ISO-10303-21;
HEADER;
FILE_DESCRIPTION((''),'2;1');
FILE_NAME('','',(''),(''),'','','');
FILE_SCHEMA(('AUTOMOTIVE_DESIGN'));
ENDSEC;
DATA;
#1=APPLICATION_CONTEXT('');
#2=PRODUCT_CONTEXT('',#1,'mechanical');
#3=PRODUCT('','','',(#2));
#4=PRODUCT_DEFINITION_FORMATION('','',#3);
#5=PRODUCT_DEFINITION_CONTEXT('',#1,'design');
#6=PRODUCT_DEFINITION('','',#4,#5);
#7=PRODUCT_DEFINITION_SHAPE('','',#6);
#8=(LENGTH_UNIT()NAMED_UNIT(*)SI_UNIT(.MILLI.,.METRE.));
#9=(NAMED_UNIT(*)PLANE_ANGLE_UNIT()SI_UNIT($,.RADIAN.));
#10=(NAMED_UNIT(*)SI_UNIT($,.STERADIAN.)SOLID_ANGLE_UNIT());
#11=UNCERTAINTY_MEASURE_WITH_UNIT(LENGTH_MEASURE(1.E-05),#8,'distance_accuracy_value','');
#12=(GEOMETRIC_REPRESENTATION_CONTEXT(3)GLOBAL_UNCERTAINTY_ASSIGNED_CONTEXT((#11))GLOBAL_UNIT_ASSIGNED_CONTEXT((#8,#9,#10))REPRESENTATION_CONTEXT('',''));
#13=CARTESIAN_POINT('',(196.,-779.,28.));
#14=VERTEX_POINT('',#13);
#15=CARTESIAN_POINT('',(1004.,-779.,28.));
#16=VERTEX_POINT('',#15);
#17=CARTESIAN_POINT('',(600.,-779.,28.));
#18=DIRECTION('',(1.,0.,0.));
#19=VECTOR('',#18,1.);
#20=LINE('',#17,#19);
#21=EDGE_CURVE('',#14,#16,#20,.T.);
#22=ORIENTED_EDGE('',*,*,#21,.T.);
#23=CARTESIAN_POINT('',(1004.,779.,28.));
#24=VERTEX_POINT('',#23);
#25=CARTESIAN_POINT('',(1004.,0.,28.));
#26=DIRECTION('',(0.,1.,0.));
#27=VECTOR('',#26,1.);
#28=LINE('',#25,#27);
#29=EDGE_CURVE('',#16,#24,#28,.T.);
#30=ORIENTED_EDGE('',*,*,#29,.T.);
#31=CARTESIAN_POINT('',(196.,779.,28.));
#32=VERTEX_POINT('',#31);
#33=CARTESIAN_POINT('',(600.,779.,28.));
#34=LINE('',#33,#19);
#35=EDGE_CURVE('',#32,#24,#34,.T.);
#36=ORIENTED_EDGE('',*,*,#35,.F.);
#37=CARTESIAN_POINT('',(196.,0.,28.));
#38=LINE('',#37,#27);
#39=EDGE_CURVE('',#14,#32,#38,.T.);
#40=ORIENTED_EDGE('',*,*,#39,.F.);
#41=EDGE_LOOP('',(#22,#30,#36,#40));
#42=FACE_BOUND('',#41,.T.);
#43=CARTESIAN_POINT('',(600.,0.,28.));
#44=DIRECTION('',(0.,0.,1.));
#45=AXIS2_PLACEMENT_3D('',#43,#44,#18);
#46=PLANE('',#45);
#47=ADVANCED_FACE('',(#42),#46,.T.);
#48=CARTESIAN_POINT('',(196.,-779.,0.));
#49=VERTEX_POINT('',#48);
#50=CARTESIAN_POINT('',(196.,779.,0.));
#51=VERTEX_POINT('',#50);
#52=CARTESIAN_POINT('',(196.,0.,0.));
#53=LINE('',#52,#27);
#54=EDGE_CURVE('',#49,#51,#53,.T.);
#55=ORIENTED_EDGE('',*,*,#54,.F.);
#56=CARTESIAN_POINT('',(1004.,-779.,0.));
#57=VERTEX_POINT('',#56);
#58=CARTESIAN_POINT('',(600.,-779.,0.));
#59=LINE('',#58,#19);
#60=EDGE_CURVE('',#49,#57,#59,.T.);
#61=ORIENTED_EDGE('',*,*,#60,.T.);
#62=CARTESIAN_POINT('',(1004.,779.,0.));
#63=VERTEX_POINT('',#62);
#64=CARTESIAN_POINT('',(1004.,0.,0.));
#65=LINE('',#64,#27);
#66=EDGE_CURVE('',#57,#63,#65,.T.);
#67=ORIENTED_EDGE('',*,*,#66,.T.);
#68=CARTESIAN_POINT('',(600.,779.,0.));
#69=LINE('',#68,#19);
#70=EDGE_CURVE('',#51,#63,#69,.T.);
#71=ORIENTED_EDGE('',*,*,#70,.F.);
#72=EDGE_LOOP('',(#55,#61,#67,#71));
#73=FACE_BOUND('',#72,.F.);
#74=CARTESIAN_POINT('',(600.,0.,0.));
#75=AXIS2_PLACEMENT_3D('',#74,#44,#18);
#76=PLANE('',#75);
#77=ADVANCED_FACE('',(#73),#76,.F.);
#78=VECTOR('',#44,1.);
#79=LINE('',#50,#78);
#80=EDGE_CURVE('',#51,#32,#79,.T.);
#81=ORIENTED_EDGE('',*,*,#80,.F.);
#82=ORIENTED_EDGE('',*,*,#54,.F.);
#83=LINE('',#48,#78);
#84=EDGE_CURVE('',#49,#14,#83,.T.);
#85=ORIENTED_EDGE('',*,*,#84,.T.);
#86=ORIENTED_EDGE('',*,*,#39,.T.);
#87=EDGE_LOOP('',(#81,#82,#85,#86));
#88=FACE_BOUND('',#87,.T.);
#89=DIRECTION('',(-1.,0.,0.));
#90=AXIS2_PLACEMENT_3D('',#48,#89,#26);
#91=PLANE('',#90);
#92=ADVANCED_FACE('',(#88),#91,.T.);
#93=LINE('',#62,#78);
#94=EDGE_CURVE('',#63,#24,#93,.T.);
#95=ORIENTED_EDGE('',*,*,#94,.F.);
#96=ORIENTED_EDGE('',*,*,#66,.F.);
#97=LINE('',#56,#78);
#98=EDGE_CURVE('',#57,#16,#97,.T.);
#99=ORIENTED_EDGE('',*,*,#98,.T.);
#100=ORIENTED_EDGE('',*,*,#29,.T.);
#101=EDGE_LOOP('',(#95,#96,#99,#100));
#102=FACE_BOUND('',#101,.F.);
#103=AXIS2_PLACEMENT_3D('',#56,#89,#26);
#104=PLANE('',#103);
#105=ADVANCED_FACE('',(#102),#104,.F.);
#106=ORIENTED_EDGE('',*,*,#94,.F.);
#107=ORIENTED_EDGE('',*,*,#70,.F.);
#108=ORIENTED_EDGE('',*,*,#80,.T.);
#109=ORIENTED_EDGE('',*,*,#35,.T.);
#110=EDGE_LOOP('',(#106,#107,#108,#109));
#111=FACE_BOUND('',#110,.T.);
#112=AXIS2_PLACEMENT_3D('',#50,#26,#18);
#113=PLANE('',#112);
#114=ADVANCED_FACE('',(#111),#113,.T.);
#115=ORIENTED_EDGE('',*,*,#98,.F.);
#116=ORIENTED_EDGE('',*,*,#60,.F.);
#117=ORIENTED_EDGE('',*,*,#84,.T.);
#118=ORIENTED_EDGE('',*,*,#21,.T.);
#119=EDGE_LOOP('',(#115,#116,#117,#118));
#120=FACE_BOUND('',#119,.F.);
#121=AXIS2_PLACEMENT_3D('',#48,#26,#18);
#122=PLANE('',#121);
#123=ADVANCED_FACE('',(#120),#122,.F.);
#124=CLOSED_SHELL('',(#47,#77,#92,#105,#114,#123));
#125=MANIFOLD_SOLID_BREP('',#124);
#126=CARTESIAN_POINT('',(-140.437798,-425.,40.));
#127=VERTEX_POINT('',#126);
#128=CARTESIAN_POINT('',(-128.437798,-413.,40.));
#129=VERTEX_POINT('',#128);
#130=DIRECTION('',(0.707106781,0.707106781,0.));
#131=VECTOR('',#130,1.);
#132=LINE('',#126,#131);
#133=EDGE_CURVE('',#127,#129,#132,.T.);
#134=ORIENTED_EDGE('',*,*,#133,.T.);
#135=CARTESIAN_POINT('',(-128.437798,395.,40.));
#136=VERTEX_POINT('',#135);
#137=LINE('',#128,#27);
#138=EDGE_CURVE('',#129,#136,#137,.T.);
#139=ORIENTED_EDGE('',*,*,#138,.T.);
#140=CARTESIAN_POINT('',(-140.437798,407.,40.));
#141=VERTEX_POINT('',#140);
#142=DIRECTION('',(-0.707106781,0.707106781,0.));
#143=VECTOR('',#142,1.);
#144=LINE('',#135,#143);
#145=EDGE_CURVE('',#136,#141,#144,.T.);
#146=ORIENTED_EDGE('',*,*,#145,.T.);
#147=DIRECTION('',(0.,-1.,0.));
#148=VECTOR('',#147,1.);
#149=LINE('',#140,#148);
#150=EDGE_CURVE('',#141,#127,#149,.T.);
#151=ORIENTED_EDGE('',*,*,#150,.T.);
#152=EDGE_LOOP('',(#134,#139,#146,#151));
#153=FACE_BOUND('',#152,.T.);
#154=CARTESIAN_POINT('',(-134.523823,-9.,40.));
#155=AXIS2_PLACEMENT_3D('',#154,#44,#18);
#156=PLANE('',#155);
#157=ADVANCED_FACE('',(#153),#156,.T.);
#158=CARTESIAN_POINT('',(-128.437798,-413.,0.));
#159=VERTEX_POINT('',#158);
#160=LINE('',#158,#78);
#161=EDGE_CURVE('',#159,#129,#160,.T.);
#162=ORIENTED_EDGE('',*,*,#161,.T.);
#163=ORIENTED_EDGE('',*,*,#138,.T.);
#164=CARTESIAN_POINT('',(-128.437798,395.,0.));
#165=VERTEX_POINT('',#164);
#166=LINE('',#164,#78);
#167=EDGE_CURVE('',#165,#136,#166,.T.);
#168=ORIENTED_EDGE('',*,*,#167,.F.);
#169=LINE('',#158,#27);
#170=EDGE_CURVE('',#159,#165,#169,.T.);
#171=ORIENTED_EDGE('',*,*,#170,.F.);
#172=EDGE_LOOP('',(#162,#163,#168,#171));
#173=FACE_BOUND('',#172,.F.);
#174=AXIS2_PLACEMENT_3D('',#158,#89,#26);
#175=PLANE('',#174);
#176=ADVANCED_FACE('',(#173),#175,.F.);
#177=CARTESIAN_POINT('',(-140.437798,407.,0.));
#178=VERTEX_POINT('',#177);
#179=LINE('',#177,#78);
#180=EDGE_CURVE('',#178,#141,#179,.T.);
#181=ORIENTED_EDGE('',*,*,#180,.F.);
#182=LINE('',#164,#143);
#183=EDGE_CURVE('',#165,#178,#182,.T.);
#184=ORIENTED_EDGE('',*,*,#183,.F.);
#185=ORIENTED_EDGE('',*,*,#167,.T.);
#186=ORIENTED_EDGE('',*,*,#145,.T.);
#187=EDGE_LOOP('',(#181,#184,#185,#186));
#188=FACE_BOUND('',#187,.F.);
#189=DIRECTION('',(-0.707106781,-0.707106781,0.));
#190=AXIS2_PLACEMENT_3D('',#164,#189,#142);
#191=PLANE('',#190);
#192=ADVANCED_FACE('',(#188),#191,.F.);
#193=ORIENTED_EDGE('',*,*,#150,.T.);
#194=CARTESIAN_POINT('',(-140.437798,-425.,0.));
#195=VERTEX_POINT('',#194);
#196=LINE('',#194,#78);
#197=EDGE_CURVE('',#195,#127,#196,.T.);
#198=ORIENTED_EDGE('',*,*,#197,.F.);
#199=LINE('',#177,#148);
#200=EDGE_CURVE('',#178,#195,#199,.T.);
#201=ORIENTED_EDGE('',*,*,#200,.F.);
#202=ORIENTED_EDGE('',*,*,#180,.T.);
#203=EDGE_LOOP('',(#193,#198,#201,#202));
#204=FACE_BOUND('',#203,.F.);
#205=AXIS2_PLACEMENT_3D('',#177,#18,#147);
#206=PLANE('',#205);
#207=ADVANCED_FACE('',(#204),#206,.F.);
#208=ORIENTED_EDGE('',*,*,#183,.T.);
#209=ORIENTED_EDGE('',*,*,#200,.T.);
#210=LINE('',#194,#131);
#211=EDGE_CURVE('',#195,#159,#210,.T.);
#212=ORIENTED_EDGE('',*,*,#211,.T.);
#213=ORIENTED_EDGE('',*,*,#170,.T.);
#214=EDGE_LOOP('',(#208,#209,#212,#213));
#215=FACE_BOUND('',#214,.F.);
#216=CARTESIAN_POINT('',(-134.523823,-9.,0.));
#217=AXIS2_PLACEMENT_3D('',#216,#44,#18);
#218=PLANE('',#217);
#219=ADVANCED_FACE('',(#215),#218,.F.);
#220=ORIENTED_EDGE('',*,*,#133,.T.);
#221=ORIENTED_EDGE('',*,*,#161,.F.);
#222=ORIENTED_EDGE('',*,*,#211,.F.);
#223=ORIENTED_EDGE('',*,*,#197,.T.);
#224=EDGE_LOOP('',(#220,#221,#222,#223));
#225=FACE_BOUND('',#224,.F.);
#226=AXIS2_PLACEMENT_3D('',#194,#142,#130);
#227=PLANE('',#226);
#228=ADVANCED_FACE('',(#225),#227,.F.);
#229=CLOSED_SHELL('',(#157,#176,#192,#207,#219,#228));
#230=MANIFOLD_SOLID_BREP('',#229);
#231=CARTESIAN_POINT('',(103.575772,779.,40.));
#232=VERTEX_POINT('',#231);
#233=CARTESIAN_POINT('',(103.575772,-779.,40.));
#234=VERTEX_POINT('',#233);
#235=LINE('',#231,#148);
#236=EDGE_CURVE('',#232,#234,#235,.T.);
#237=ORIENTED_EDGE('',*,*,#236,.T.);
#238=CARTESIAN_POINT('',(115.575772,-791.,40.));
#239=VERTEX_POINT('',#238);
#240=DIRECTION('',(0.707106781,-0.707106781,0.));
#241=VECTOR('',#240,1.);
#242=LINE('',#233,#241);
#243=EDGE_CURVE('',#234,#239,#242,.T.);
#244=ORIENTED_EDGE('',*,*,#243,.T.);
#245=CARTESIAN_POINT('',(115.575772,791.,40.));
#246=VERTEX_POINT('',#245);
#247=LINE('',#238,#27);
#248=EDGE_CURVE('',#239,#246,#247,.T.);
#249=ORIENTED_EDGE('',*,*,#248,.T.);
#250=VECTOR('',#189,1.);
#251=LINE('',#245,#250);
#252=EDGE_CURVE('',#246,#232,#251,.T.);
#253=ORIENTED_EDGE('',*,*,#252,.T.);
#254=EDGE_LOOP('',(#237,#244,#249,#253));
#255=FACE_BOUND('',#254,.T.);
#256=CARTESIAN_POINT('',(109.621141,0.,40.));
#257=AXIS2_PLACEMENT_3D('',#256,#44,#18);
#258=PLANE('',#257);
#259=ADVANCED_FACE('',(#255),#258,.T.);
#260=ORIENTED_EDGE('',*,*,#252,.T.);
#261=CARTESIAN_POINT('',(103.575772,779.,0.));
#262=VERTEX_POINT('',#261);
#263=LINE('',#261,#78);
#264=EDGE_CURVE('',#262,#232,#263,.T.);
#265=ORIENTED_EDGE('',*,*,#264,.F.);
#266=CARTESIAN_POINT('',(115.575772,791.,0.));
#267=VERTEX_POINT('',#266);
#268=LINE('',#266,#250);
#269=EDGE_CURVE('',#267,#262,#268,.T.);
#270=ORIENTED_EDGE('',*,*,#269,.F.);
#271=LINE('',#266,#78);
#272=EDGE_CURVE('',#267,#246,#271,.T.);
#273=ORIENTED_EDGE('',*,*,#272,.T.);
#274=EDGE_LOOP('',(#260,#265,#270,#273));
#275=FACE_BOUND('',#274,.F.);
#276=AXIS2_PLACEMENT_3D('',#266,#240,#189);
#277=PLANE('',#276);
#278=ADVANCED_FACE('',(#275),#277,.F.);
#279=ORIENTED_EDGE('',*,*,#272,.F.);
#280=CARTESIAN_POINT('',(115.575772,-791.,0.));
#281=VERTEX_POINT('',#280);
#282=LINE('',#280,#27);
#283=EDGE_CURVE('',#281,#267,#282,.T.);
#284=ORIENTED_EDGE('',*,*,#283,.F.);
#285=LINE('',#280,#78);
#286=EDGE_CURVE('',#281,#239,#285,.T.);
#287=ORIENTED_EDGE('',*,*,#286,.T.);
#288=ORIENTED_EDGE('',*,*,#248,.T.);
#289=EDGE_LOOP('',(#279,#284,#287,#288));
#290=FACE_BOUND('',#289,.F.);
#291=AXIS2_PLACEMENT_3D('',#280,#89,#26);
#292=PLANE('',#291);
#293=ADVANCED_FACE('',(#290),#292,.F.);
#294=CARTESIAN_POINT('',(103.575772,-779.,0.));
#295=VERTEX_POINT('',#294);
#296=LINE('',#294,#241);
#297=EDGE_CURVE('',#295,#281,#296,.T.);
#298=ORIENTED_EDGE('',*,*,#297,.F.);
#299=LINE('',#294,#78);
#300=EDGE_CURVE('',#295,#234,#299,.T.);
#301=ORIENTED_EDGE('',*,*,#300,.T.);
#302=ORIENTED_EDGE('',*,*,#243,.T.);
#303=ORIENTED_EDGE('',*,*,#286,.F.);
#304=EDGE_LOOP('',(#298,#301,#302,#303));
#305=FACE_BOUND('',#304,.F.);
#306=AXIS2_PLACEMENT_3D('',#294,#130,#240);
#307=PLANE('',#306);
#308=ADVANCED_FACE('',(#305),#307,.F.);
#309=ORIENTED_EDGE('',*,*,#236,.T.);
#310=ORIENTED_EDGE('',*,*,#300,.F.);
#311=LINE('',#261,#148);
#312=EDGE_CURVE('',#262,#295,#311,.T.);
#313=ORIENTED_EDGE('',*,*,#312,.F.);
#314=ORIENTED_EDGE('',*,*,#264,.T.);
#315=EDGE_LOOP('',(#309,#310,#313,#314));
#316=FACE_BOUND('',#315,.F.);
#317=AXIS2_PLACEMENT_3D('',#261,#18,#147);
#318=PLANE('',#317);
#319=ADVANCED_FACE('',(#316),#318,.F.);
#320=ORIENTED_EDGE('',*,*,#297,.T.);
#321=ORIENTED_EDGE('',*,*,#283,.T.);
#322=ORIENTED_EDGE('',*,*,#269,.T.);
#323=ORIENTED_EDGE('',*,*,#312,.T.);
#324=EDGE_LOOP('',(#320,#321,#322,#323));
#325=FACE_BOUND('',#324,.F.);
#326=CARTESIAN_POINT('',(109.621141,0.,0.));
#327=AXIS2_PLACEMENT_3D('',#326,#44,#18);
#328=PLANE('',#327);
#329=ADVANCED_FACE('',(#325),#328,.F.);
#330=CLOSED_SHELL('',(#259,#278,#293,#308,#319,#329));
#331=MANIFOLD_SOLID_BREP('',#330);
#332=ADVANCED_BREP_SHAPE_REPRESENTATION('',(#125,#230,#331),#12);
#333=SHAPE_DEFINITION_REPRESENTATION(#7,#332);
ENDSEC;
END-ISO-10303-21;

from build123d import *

# Parameters (mm, degrees)
F1_DEPTH = 40
F3_DEPTH = 40
F4_W     = 808
F4_H     = 1558
F5_DEPTH = 28


with BuildPart() as f1:
    # F0 (on Top) → F1 (new body)
    with BuildSketch(Plane.XY):
        Polygon((-140.437798, 407), (-140.437798, -425), (-128.437798, -413), (-128.437798, 395), align=None)
    extrude(amount=F1_DEPTH)


with BuildPart() as f3:
    # F2 (on Top) → F3 (new body)
    with BuildSketch(Plane.XY):
        Polygon((103.575772, -779), (115.575772, -791), (115.575772, 791), (103.575772, 779), align=None)
    extrude(amount=F3_DEPTH)


with BuildPart() as f5:
    # F4 (on Top) → F5 (new body)
    with BuildSketch(Plane.XY):
        with Locations((600, 0)):
            Rectangle(F4_W, F4_H)
    extrude(amount=F5_DEPTH)


solid = Compound([f1.part, f3.part, f5.part])
